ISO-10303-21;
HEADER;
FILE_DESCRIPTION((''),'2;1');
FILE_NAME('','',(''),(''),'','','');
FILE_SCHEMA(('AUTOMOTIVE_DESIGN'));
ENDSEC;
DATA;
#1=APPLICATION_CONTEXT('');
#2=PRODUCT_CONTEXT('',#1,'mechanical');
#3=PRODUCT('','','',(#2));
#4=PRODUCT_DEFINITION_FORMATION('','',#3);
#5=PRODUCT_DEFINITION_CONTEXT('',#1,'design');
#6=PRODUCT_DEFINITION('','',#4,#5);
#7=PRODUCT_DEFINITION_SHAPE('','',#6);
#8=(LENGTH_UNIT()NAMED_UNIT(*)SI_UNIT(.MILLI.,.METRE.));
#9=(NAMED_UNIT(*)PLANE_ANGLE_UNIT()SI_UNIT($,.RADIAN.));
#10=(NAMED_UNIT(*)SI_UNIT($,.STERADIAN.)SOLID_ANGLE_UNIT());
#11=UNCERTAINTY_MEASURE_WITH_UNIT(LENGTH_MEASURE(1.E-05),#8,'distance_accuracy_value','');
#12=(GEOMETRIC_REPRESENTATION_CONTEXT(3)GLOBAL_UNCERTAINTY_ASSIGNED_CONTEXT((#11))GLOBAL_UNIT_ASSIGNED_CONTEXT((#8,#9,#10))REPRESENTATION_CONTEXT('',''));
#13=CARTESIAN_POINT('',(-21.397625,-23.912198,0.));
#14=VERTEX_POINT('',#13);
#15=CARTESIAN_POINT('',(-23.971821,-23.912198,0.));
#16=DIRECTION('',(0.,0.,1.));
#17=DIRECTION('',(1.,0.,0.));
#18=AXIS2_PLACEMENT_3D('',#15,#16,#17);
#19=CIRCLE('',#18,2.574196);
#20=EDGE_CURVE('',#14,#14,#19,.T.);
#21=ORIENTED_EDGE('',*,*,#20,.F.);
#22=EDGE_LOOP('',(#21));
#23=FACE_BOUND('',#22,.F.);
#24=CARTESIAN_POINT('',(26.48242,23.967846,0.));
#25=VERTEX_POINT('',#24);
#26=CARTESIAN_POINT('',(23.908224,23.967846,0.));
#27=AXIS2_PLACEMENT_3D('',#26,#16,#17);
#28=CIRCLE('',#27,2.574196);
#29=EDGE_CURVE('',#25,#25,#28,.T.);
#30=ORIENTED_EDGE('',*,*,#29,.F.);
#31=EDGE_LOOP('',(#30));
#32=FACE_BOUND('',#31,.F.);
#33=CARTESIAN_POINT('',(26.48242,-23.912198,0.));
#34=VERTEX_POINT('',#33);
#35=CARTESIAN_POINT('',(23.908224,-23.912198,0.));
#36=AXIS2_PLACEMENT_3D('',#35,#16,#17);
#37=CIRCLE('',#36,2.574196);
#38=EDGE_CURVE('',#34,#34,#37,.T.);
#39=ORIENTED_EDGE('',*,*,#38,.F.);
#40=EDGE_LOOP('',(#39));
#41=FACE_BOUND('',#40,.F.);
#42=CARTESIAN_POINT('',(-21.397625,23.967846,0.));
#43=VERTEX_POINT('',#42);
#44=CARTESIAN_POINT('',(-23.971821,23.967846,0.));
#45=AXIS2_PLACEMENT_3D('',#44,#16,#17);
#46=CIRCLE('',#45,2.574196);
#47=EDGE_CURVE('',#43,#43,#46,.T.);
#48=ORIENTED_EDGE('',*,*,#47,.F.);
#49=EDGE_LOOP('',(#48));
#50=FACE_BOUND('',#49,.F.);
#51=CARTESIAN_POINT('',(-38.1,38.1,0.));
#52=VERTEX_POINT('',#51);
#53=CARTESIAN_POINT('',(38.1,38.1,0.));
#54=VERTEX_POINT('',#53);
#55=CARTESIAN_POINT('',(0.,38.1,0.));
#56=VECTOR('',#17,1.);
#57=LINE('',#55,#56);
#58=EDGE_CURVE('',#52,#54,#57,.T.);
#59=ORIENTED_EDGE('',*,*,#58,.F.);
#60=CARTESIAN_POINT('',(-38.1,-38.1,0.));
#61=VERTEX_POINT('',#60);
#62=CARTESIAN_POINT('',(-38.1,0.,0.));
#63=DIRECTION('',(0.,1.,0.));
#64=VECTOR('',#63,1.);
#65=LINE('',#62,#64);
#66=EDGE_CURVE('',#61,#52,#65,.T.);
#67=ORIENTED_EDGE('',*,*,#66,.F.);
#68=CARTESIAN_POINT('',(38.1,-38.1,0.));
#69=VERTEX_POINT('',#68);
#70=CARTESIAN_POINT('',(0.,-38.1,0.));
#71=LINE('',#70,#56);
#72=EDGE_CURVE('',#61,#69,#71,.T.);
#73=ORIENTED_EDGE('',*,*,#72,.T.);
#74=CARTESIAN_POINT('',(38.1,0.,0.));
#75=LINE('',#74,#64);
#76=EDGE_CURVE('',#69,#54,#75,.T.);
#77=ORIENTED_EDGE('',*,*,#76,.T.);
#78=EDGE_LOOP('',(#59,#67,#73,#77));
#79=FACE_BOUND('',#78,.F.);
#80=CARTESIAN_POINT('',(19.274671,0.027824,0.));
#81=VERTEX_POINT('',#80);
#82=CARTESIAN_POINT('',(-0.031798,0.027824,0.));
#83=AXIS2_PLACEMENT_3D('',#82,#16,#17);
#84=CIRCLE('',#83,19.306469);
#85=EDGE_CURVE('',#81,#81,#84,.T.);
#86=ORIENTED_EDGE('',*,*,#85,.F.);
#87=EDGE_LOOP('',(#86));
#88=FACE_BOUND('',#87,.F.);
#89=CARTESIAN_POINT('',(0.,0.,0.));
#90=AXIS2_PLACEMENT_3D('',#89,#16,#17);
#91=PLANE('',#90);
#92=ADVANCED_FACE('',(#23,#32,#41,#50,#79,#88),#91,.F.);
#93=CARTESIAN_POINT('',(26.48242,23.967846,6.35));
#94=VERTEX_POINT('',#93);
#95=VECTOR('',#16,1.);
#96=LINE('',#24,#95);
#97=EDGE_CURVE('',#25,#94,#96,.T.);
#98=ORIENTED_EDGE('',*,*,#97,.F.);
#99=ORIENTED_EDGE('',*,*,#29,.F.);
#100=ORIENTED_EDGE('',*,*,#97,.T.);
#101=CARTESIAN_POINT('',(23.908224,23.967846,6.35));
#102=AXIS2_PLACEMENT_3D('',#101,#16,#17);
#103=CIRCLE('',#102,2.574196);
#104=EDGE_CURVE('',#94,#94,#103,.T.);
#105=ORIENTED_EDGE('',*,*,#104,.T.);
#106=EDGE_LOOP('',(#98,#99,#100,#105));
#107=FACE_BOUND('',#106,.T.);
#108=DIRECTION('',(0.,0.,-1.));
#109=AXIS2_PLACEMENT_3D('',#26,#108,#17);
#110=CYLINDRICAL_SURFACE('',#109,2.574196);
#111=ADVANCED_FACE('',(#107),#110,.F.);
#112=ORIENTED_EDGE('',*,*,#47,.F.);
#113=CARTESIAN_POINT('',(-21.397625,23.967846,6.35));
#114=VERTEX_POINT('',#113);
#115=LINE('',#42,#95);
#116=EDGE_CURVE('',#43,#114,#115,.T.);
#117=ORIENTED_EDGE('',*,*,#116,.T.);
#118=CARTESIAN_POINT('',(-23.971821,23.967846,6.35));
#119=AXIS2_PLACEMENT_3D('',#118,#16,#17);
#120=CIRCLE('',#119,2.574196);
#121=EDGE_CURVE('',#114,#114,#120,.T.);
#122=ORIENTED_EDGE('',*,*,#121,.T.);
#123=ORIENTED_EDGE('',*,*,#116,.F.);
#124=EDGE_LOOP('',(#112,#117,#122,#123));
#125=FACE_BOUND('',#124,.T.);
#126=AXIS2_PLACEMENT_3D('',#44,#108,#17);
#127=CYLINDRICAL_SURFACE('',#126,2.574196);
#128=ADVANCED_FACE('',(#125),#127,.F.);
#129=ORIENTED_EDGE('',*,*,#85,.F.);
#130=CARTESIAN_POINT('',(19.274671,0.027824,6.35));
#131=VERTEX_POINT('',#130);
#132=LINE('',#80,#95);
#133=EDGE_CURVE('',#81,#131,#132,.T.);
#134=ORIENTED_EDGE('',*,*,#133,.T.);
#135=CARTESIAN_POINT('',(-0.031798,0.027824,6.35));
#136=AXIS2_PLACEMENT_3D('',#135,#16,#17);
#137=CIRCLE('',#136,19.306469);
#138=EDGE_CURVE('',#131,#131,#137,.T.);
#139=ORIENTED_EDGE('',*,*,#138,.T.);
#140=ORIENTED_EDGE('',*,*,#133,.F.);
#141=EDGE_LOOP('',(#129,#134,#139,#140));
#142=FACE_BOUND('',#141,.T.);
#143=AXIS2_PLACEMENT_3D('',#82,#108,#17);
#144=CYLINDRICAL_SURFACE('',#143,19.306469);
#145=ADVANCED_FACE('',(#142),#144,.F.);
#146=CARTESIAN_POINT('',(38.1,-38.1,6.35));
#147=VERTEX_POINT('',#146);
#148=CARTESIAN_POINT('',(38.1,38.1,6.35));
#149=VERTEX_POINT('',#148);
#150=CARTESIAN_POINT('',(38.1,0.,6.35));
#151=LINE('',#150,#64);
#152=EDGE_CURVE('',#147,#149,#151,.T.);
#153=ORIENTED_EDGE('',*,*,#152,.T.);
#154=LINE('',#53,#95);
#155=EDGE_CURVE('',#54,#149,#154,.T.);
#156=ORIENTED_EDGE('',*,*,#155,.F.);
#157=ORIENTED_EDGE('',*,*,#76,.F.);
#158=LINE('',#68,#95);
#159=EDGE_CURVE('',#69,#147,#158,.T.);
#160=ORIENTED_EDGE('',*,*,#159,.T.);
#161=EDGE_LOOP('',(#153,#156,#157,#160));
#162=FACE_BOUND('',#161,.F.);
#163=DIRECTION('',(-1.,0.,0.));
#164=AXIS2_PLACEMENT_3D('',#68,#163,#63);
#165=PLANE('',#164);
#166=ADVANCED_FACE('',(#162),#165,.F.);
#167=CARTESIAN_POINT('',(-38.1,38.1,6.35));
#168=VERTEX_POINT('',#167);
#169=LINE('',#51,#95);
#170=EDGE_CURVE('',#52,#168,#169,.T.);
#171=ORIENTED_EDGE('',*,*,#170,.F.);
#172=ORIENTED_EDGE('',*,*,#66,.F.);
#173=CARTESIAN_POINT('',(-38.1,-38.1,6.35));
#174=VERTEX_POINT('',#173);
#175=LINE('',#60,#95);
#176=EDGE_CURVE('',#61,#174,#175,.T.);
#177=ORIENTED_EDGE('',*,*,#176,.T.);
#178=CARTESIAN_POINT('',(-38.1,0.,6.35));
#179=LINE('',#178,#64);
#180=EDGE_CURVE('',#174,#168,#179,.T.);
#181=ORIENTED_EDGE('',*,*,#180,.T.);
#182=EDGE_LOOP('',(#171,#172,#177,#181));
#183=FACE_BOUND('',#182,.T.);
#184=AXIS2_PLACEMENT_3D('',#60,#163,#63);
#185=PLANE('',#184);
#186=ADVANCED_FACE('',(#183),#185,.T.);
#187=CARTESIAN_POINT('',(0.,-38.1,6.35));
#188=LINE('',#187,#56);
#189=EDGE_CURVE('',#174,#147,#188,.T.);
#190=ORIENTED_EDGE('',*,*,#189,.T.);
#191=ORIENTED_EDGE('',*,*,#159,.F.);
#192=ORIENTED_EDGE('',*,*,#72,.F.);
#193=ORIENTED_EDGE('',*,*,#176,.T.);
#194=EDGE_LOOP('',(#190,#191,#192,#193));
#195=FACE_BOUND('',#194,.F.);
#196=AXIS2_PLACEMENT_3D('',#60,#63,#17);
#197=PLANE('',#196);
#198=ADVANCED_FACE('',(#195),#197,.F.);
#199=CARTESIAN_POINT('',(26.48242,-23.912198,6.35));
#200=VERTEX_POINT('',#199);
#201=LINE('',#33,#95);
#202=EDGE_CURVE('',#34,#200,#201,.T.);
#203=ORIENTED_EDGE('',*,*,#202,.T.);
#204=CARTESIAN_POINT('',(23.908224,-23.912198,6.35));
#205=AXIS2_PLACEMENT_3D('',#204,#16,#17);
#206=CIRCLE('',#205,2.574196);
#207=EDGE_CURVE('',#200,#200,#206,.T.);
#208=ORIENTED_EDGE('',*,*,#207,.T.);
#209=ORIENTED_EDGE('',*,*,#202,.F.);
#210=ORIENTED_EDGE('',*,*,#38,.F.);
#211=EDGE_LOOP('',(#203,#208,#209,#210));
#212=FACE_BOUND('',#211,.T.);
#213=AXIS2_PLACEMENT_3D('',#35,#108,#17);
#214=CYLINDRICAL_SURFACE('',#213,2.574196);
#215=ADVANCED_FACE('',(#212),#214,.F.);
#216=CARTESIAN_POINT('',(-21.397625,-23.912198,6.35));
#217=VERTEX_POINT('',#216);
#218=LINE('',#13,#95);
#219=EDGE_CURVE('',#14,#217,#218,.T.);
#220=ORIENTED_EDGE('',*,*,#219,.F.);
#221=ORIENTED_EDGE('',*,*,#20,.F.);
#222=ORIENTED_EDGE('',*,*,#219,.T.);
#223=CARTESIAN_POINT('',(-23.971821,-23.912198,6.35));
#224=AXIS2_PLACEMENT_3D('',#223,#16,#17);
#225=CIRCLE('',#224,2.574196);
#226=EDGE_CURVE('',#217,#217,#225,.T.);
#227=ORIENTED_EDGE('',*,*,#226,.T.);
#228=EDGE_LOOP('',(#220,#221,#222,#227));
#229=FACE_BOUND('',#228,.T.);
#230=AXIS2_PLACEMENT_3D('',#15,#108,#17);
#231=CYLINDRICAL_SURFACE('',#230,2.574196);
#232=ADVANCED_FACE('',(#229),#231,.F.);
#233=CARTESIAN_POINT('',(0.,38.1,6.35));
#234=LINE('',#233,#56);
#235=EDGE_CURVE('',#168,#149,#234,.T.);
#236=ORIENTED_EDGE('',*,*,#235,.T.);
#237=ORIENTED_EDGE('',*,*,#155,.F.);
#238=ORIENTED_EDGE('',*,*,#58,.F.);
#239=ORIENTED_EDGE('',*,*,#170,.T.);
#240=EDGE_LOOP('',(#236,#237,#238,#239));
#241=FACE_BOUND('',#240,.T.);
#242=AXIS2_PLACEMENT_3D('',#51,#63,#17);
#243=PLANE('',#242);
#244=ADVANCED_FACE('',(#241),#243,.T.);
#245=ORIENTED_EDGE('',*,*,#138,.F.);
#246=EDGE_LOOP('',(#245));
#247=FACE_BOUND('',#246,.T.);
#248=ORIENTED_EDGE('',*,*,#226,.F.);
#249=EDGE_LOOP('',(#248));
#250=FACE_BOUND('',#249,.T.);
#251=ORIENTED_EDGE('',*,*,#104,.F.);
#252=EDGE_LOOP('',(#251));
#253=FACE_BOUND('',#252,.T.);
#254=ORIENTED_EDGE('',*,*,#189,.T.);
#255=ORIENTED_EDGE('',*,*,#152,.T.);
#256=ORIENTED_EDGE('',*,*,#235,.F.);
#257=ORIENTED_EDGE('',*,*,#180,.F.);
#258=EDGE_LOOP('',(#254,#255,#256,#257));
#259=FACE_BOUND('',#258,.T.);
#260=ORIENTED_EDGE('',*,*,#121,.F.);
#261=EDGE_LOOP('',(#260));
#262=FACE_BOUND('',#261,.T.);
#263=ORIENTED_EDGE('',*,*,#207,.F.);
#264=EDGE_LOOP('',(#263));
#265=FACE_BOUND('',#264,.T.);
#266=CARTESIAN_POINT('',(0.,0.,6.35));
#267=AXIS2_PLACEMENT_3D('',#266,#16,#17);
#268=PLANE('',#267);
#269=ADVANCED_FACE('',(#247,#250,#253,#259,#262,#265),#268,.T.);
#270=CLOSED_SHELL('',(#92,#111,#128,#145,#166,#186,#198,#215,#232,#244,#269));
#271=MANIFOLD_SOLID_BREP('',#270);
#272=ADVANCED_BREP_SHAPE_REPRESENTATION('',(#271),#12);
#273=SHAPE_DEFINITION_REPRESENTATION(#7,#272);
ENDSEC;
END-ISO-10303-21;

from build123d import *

# Parameters (mm, degrees)
F0_W     = 76.2
F0_H     = 76.2
F0_R     = 2.574196
F0_R_2   = 19.306469
F1_DEPTH = 6.35


with BuildPart() as f1:
    # F0 (on Top) → F1 (new body)
    with BuildSketch(Plane.XY):
        Rectangle(F0_W, F0_H)
        with Locations((-23.971821, -23.912198)):
            Circle(F0_R, mode=Mode.SUBTRACT)
        with Locations((23.908224, -23.912198)):
            Circle(F0_R, mode=Mode.SUBTRACT)
        with Locations((-0.031798, 0.027824)):
            Circle(F0_R_2, mode=Mode.SUBTRACT)
        with Locations((-23.971821, 23.967846)):
            Circle(F0_R, mode=Mode.SUBTRACT)
        with Locations((23.908224, 23.967846)):
            Circle(F0_R, mode=Mode.SUBTRACT)
    extrude(amount=F1_DEPTH)


solid = f1.part
